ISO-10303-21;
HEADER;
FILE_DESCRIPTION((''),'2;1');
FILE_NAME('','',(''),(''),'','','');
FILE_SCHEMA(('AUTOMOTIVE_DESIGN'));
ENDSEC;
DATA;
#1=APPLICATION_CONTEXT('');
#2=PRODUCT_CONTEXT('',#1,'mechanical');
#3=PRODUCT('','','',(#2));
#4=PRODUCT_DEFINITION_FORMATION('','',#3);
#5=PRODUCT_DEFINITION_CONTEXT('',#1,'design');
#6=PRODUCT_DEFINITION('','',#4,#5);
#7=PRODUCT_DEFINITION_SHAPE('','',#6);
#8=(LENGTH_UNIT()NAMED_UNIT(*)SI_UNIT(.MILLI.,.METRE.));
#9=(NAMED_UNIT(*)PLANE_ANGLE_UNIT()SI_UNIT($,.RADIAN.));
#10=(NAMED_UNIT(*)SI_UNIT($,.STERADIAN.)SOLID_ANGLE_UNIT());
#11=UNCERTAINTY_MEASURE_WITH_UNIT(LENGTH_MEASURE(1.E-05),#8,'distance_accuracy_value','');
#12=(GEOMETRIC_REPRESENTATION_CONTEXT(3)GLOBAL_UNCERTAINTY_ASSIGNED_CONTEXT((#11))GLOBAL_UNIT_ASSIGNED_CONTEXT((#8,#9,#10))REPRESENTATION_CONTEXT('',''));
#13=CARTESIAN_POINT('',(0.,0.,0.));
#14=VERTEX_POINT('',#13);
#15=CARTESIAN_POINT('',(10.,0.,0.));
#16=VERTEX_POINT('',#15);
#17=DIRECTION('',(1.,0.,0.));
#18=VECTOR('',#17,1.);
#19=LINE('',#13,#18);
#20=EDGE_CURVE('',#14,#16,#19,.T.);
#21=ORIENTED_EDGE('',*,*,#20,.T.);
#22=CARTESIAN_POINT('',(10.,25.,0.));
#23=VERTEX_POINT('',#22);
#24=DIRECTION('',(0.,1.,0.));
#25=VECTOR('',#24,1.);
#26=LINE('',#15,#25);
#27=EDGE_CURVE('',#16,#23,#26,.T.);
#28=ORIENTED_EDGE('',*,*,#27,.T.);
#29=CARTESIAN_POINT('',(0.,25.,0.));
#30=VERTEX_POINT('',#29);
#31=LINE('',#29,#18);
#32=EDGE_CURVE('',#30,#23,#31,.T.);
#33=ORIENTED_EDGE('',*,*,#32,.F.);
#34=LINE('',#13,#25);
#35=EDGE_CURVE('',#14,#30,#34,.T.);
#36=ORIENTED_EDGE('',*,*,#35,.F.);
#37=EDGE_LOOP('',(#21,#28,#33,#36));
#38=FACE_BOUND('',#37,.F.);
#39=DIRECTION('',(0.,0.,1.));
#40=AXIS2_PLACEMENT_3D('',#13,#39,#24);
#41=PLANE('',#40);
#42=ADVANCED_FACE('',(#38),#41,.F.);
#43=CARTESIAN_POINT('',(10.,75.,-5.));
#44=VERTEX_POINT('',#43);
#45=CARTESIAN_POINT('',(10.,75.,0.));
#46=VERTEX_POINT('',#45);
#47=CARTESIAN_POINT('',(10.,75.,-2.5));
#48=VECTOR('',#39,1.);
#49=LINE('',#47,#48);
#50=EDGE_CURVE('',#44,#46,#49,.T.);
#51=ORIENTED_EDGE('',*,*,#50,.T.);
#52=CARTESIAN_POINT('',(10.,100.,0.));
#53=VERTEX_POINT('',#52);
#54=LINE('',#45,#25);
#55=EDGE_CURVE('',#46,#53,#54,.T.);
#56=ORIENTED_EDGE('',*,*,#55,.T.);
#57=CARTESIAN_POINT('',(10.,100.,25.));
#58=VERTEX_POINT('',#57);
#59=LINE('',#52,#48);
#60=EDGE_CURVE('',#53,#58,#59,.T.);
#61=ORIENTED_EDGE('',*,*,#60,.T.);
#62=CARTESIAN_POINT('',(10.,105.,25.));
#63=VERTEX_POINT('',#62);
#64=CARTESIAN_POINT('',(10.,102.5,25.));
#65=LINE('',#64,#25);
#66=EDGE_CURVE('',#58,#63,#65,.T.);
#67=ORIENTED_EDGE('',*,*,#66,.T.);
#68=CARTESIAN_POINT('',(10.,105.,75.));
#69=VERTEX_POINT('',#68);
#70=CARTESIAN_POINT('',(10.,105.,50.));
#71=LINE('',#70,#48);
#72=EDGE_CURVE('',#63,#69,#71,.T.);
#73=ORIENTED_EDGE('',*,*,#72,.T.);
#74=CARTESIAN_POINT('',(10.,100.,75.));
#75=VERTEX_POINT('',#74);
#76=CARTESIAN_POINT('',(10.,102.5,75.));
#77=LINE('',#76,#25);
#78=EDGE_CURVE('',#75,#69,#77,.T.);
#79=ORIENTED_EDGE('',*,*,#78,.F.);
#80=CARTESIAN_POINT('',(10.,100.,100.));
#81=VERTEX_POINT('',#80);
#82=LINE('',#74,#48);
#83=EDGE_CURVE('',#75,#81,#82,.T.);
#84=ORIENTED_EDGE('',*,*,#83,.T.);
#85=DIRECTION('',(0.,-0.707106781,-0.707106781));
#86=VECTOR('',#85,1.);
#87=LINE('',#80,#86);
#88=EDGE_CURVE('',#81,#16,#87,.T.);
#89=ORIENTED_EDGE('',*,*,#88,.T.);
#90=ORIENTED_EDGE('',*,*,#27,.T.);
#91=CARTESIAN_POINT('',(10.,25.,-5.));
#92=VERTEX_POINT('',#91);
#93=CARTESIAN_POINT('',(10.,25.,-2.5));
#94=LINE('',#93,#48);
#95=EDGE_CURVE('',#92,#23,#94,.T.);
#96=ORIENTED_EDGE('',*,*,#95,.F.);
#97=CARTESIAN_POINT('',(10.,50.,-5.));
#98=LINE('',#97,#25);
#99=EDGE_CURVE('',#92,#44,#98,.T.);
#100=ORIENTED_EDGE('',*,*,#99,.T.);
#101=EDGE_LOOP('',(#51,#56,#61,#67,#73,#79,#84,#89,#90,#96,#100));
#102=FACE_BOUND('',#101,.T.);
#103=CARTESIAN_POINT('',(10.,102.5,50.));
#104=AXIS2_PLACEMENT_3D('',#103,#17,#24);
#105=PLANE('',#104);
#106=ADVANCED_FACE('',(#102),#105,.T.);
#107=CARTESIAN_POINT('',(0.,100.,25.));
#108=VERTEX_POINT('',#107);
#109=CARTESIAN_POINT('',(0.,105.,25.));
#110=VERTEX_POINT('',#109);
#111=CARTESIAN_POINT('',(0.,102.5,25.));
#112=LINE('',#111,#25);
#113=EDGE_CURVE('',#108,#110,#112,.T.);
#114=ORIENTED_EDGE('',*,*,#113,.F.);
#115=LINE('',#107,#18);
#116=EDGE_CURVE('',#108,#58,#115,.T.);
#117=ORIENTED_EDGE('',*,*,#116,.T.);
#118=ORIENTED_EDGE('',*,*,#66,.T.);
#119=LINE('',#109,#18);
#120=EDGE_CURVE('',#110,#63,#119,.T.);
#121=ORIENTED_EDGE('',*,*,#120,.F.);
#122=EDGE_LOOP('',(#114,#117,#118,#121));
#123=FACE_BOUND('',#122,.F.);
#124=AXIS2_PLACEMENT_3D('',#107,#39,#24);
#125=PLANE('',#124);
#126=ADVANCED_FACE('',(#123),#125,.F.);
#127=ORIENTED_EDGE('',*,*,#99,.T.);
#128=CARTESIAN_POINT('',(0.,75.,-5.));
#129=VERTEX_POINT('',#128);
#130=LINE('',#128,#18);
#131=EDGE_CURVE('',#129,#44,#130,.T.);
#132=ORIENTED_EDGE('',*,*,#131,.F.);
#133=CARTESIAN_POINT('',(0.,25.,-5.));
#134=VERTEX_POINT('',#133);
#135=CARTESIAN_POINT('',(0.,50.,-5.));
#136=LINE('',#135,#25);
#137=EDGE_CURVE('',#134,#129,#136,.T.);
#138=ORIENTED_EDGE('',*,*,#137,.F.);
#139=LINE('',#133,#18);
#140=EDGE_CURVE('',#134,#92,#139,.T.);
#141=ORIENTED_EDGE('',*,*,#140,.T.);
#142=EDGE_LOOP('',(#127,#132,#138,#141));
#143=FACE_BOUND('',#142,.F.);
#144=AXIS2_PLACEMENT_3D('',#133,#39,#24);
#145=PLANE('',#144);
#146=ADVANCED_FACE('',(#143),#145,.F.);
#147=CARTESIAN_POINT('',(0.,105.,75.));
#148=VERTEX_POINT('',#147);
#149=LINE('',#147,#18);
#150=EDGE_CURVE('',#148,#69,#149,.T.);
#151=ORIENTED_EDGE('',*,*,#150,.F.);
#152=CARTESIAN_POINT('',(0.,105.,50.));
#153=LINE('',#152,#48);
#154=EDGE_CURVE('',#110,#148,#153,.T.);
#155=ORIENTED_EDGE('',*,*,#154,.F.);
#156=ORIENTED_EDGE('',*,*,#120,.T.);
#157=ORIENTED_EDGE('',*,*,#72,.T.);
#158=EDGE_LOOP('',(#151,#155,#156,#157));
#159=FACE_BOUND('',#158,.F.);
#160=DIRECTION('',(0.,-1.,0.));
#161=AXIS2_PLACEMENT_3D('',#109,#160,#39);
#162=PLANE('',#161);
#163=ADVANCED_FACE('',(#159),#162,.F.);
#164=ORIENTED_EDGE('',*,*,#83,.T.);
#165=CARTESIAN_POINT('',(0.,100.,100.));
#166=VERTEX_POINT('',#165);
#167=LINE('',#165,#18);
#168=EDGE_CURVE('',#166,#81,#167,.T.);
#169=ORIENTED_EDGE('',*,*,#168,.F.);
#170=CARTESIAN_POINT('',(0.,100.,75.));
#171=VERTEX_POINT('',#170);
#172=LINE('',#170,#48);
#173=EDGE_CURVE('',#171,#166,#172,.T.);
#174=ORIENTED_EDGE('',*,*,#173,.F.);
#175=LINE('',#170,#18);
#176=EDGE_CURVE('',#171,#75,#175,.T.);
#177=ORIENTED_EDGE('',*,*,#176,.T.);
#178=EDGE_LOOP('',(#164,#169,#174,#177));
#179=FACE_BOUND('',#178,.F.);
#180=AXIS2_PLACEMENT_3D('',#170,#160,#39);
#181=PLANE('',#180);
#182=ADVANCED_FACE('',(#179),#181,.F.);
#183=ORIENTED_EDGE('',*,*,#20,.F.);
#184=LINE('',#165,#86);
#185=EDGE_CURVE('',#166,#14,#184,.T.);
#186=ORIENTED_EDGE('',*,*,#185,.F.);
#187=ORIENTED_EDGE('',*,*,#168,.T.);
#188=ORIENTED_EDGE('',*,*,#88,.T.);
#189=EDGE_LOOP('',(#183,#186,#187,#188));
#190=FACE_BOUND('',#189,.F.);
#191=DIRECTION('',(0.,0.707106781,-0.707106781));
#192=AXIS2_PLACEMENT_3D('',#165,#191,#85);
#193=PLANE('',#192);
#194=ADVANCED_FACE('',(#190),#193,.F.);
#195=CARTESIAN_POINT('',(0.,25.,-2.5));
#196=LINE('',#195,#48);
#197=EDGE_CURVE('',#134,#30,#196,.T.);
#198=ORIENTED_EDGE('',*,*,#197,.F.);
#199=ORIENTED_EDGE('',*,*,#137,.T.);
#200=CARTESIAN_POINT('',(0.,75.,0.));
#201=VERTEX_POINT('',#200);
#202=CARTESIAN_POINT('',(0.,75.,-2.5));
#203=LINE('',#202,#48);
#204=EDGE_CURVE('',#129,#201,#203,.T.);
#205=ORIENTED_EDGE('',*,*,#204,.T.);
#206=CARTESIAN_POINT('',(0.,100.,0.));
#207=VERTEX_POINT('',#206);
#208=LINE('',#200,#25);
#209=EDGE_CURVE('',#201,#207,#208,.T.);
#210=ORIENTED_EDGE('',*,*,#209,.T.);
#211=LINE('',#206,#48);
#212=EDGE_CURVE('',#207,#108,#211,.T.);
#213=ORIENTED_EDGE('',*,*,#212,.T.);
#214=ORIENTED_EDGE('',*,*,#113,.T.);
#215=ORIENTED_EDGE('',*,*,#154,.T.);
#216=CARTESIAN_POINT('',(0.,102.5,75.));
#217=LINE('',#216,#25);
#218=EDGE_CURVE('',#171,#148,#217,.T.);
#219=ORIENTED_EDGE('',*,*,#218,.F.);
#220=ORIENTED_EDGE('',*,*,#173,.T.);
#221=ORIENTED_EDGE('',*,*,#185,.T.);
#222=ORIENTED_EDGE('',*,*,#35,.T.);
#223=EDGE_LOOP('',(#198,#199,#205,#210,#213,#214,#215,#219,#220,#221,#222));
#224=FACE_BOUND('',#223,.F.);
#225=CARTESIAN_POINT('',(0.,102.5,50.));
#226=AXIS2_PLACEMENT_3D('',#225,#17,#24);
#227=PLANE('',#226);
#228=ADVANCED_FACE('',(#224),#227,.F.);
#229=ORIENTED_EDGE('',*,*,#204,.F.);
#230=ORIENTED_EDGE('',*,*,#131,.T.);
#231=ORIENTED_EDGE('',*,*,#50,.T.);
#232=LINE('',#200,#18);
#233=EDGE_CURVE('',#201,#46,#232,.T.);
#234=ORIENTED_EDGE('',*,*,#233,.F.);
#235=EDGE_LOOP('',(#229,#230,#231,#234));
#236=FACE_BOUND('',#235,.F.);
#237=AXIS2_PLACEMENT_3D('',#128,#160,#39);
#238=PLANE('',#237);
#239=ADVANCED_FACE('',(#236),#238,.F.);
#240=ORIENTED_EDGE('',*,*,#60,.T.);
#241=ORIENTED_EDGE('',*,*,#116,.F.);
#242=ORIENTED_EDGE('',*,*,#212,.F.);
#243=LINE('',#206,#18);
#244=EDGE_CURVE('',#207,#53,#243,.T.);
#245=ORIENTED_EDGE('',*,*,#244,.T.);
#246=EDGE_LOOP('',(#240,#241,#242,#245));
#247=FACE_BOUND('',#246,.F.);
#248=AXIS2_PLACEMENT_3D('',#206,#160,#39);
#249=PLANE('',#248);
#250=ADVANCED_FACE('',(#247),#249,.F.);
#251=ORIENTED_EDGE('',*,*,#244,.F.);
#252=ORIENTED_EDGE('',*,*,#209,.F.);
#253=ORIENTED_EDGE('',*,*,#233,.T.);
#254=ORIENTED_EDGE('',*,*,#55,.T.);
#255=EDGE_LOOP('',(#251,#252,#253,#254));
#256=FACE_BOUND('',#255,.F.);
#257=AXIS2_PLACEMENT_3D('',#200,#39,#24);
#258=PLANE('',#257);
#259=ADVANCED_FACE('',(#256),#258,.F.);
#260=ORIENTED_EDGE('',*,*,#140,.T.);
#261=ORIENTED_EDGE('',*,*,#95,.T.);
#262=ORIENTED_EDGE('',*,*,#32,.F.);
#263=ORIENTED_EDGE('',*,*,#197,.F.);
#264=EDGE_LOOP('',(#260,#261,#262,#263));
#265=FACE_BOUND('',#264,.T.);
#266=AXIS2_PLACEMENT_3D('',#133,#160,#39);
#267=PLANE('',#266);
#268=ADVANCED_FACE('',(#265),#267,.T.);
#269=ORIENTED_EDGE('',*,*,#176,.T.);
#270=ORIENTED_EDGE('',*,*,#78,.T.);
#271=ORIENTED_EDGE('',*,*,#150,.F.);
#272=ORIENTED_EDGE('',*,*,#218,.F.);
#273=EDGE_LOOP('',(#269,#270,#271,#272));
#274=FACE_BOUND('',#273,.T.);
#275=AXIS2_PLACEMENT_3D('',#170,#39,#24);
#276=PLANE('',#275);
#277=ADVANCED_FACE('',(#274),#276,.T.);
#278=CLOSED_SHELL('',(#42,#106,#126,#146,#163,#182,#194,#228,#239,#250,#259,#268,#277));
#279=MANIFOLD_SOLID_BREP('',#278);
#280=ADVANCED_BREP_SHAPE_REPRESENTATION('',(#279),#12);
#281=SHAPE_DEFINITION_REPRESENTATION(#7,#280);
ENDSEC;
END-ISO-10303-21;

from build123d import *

# Parameters (mm, degrees)
F0_W     = 5
F0_H     = 50
F0_W_2   = 50
F0_H_2   = 5
F1_DEPTH = 10


with BuildPart() as f1:
    # F0 (on Right) → F1 (new body)
    with BuildSketch(Plane.YZ):
        with Locations((102.5, 50)):
            Rectangle(F0_W, F0_H)
        with Locations((50, -2.5)):
            Rectangle(F0_W_2, F0_H_2)
        Polygon((100, 100), (0, 0), (25, 0), (25, 5), (75, 5), (75, 0), (100, 0), (100, 25), (95, 25), (95, 75), (100, 75), align=None)
        with Locations((97.5, 50)):
            Rectangle(F0_W, F0_H)
        with Locations((50, 2.5)):
            Rectangle(F0_W_2, F0_H_2)
    extrude(amount=F1_DEPTH)


solid = f1.part
